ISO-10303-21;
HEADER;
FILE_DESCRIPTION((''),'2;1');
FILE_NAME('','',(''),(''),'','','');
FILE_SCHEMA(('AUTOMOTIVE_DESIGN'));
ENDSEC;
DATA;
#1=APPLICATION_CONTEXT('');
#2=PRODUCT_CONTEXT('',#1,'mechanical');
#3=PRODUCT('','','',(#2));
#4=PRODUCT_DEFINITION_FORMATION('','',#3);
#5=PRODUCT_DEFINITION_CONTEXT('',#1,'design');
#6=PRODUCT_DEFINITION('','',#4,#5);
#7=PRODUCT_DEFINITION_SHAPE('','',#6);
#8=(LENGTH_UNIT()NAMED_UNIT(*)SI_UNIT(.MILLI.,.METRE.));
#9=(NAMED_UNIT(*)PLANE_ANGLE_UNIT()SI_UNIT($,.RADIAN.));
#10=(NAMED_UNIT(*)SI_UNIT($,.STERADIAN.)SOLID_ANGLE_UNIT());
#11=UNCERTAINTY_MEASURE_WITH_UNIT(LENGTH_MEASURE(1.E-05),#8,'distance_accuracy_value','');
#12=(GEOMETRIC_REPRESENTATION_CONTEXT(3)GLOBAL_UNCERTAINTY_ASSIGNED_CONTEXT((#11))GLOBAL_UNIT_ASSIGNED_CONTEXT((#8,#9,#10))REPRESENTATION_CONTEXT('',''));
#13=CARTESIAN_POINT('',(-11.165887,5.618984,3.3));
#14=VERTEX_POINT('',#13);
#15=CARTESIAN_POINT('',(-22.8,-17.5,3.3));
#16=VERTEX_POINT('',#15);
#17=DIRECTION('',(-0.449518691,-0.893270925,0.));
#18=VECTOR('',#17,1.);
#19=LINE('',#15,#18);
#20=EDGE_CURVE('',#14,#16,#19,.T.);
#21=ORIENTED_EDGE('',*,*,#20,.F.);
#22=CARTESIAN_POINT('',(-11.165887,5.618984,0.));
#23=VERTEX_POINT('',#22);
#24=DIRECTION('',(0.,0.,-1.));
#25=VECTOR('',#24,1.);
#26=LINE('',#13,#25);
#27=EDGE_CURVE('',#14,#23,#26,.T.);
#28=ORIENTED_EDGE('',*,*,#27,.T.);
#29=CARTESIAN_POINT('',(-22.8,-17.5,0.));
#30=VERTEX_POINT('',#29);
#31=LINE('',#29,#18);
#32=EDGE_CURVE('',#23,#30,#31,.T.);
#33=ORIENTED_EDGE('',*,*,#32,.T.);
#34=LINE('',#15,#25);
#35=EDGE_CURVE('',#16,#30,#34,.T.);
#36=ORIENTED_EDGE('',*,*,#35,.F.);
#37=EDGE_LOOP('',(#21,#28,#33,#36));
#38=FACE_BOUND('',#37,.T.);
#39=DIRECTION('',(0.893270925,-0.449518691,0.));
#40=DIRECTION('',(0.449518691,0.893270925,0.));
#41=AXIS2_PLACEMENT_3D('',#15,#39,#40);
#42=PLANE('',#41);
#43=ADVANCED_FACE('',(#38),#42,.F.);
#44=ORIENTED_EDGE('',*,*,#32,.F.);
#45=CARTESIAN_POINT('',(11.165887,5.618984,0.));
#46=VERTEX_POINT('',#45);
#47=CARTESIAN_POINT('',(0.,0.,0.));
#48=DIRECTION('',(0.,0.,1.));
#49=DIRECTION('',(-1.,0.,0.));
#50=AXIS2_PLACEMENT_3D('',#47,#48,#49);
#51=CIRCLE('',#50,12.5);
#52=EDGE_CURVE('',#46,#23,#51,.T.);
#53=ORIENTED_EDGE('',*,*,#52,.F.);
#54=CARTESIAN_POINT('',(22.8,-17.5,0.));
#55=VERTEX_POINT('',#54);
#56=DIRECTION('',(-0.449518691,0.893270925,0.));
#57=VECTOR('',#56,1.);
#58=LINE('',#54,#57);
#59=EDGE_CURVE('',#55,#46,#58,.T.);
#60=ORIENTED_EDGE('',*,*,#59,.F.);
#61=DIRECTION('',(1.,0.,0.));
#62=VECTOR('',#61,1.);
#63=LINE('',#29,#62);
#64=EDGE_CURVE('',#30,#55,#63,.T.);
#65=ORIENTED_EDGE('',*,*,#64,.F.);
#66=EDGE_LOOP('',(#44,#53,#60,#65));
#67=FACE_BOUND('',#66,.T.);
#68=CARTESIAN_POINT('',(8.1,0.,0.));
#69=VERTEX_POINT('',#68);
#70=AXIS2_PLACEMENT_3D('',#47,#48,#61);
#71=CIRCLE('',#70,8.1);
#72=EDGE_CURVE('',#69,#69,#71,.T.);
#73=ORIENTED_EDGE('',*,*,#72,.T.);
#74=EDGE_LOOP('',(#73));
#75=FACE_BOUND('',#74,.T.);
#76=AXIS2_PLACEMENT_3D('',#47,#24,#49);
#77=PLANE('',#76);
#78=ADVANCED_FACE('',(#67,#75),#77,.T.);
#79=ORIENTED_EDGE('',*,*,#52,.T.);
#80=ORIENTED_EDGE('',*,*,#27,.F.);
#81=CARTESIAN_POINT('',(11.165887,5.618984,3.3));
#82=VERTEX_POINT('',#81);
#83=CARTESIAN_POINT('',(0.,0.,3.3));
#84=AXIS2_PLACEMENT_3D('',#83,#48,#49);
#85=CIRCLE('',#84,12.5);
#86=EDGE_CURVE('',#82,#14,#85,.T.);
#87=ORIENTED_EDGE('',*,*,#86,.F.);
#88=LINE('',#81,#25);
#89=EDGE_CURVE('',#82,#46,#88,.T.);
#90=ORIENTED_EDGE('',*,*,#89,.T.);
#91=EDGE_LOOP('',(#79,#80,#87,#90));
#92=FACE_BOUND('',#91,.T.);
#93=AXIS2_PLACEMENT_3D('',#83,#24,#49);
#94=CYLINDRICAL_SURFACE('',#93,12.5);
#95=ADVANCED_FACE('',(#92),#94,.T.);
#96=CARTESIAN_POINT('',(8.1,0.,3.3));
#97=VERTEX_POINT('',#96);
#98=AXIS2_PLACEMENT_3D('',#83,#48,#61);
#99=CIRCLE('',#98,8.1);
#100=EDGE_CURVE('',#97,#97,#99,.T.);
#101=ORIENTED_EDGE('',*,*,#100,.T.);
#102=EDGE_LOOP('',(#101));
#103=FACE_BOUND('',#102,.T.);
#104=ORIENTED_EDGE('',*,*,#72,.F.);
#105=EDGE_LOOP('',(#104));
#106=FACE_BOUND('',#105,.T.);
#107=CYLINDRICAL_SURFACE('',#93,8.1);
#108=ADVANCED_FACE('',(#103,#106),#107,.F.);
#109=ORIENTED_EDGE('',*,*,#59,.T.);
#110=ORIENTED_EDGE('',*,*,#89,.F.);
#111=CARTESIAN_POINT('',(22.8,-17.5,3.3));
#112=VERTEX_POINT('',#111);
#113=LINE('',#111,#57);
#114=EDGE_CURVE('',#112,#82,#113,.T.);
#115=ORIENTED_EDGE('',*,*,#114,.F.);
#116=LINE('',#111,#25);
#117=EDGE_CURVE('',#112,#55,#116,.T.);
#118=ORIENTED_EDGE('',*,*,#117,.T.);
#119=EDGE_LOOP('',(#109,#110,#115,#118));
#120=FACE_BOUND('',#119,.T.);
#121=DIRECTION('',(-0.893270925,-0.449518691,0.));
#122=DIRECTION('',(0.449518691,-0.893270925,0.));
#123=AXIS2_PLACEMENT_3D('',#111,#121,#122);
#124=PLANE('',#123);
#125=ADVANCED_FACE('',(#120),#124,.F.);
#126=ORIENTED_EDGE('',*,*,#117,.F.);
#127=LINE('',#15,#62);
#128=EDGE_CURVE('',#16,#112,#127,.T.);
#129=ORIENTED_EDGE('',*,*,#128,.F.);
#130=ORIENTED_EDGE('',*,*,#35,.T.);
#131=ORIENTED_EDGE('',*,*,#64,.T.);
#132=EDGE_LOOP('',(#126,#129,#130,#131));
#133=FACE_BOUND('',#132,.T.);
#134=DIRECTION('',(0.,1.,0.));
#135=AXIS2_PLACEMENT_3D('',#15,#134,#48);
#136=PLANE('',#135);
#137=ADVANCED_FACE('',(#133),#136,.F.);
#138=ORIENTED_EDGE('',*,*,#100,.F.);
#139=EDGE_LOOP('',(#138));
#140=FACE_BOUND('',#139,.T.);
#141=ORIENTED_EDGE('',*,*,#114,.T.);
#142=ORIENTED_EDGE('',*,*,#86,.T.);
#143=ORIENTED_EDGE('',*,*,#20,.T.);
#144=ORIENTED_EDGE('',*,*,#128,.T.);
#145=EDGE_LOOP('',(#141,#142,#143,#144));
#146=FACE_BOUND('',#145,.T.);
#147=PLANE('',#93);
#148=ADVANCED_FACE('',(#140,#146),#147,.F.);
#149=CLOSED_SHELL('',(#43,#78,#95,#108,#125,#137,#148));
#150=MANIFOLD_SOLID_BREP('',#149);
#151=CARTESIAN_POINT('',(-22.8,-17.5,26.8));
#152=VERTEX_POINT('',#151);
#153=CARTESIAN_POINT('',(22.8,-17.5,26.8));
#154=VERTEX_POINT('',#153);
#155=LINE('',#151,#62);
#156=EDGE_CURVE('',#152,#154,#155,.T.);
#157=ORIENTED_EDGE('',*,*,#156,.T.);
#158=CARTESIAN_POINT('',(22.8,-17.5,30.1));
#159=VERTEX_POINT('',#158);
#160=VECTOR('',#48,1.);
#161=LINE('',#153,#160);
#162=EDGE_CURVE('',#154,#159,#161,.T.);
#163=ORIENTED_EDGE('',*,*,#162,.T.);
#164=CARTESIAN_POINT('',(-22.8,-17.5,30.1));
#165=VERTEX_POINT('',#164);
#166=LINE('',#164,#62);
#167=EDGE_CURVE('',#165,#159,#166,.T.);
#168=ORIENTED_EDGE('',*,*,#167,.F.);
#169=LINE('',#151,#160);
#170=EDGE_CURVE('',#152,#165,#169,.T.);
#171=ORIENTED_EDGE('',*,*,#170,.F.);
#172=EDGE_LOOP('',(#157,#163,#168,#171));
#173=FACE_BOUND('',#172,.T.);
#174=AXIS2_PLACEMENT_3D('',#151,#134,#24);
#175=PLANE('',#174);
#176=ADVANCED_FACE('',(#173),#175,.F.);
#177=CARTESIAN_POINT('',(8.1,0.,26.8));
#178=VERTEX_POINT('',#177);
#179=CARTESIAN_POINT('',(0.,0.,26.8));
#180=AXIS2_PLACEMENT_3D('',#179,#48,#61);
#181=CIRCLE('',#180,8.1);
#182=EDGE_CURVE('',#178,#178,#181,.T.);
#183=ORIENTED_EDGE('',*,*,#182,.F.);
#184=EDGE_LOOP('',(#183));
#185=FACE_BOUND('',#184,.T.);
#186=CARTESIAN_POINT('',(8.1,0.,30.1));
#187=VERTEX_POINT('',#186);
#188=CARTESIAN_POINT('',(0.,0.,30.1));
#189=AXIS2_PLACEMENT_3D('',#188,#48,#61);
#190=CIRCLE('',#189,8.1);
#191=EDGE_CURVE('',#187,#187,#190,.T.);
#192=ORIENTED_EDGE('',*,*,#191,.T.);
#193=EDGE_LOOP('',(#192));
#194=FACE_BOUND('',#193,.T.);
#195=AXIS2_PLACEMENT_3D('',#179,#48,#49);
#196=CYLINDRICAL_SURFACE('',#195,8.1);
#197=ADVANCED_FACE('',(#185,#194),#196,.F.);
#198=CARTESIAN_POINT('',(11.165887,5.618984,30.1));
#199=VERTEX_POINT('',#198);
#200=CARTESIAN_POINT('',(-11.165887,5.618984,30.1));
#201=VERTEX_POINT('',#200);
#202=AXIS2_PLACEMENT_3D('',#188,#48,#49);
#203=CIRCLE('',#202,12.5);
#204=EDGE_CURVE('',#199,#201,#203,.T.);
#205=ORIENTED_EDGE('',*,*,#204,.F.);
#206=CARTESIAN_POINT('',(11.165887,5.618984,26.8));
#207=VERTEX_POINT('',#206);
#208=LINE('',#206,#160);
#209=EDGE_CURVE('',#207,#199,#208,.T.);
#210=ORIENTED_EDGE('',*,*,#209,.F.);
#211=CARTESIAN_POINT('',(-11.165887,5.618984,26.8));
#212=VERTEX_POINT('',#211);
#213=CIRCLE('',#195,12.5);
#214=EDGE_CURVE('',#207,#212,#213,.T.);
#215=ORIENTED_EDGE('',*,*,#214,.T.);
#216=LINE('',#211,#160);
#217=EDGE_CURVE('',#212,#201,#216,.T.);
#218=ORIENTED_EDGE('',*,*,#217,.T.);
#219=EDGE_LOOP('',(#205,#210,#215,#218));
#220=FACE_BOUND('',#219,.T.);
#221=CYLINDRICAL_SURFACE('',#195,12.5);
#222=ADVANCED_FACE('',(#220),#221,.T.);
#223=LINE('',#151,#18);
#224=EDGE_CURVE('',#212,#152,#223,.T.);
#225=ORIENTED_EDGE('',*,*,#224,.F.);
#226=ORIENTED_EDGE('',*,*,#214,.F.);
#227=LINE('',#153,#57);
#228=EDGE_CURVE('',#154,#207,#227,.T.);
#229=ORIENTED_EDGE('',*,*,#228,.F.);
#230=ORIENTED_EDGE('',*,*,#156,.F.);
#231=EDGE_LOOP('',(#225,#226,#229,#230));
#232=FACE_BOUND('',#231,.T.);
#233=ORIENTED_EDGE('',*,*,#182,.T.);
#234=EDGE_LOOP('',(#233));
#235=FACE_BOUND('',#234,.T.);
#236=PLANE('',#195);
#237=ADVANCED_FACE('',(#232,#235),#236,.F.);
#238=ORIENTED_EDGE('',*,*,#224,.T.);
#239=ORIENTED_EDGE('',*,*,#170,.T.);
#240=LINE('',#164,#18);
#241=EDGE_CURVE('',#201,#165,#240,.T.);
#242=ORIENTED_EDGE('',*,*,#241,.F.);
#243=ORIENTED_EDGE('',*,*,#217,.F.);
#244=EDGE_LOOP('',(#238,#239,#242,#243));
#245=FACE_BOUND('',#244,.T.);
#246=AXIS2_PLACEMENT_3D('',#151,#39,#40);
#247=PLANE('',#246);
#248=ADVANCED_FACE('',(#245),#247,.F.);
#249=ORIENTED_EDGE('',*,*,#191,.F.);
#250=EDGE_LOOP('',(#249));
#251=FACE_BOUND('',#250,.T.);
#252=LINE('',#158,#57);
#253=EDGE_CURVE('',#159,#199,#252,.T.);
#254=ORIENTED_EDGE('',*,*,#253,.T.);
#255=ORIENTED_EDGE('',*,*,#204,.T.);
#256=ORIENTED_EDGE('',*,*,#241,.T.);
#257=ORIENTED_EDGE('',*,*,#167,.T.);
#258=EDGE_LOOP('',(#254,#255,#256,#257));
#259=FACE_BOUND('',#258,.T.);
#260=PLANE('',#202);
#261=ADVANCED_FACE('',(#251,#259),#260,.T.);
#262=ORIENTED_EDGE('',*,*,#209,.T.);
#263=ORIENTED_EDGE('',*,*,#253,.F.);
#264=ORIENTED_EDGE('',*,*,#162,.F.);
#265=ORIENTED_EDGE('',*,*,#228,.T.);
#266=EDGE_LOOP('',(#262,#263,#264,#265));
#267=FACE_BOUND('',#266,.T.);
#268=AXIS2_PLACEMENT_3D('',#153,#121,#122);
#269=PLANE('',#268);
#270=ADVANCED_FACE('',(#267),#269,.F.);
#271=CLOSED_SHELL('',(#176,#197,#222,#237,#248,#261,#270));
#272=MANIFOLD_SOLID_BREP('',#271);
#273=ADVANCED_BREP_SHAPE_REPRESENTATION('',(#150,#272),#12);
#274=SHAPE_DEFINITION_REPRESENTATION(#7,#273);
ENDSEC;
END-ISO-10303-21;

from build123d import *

# Parameters (mm, degrees)
SKETCH1_R           = 8.1
BOSS_EXTRUDE1_DEPTH = 3.3


with BuildPart() as part:
    # Sketch1 → Boss-Extrude1 (new body)
    with BuildSketch(Plane.XY):
        with BuildLine():
            Line((-22.8, -17.5), (22.8, -17.5))
            Line((22.8, -17.5), (11.165886567, 5.618983642))
            ThreePointArc((11.165886567, 5.618983642), (0, 12.5), (-11.165886567, 5.618983642))
            Line((-11.165886567, 5.618983642), (-22.8, -17.5))
        make_face()
        Circle(SKETCH1_R, mode=Mode.SUBTRACT)
    extrude(amount=BOSS_EXTRUDE1_DEPTH)


with BuildPart() as body_2:
    # Mirror6: mirrored copy
    add(part.part.mirror(Plane.XY.offset(15.05)))


solid = Compound([part.part, body_2.part])
